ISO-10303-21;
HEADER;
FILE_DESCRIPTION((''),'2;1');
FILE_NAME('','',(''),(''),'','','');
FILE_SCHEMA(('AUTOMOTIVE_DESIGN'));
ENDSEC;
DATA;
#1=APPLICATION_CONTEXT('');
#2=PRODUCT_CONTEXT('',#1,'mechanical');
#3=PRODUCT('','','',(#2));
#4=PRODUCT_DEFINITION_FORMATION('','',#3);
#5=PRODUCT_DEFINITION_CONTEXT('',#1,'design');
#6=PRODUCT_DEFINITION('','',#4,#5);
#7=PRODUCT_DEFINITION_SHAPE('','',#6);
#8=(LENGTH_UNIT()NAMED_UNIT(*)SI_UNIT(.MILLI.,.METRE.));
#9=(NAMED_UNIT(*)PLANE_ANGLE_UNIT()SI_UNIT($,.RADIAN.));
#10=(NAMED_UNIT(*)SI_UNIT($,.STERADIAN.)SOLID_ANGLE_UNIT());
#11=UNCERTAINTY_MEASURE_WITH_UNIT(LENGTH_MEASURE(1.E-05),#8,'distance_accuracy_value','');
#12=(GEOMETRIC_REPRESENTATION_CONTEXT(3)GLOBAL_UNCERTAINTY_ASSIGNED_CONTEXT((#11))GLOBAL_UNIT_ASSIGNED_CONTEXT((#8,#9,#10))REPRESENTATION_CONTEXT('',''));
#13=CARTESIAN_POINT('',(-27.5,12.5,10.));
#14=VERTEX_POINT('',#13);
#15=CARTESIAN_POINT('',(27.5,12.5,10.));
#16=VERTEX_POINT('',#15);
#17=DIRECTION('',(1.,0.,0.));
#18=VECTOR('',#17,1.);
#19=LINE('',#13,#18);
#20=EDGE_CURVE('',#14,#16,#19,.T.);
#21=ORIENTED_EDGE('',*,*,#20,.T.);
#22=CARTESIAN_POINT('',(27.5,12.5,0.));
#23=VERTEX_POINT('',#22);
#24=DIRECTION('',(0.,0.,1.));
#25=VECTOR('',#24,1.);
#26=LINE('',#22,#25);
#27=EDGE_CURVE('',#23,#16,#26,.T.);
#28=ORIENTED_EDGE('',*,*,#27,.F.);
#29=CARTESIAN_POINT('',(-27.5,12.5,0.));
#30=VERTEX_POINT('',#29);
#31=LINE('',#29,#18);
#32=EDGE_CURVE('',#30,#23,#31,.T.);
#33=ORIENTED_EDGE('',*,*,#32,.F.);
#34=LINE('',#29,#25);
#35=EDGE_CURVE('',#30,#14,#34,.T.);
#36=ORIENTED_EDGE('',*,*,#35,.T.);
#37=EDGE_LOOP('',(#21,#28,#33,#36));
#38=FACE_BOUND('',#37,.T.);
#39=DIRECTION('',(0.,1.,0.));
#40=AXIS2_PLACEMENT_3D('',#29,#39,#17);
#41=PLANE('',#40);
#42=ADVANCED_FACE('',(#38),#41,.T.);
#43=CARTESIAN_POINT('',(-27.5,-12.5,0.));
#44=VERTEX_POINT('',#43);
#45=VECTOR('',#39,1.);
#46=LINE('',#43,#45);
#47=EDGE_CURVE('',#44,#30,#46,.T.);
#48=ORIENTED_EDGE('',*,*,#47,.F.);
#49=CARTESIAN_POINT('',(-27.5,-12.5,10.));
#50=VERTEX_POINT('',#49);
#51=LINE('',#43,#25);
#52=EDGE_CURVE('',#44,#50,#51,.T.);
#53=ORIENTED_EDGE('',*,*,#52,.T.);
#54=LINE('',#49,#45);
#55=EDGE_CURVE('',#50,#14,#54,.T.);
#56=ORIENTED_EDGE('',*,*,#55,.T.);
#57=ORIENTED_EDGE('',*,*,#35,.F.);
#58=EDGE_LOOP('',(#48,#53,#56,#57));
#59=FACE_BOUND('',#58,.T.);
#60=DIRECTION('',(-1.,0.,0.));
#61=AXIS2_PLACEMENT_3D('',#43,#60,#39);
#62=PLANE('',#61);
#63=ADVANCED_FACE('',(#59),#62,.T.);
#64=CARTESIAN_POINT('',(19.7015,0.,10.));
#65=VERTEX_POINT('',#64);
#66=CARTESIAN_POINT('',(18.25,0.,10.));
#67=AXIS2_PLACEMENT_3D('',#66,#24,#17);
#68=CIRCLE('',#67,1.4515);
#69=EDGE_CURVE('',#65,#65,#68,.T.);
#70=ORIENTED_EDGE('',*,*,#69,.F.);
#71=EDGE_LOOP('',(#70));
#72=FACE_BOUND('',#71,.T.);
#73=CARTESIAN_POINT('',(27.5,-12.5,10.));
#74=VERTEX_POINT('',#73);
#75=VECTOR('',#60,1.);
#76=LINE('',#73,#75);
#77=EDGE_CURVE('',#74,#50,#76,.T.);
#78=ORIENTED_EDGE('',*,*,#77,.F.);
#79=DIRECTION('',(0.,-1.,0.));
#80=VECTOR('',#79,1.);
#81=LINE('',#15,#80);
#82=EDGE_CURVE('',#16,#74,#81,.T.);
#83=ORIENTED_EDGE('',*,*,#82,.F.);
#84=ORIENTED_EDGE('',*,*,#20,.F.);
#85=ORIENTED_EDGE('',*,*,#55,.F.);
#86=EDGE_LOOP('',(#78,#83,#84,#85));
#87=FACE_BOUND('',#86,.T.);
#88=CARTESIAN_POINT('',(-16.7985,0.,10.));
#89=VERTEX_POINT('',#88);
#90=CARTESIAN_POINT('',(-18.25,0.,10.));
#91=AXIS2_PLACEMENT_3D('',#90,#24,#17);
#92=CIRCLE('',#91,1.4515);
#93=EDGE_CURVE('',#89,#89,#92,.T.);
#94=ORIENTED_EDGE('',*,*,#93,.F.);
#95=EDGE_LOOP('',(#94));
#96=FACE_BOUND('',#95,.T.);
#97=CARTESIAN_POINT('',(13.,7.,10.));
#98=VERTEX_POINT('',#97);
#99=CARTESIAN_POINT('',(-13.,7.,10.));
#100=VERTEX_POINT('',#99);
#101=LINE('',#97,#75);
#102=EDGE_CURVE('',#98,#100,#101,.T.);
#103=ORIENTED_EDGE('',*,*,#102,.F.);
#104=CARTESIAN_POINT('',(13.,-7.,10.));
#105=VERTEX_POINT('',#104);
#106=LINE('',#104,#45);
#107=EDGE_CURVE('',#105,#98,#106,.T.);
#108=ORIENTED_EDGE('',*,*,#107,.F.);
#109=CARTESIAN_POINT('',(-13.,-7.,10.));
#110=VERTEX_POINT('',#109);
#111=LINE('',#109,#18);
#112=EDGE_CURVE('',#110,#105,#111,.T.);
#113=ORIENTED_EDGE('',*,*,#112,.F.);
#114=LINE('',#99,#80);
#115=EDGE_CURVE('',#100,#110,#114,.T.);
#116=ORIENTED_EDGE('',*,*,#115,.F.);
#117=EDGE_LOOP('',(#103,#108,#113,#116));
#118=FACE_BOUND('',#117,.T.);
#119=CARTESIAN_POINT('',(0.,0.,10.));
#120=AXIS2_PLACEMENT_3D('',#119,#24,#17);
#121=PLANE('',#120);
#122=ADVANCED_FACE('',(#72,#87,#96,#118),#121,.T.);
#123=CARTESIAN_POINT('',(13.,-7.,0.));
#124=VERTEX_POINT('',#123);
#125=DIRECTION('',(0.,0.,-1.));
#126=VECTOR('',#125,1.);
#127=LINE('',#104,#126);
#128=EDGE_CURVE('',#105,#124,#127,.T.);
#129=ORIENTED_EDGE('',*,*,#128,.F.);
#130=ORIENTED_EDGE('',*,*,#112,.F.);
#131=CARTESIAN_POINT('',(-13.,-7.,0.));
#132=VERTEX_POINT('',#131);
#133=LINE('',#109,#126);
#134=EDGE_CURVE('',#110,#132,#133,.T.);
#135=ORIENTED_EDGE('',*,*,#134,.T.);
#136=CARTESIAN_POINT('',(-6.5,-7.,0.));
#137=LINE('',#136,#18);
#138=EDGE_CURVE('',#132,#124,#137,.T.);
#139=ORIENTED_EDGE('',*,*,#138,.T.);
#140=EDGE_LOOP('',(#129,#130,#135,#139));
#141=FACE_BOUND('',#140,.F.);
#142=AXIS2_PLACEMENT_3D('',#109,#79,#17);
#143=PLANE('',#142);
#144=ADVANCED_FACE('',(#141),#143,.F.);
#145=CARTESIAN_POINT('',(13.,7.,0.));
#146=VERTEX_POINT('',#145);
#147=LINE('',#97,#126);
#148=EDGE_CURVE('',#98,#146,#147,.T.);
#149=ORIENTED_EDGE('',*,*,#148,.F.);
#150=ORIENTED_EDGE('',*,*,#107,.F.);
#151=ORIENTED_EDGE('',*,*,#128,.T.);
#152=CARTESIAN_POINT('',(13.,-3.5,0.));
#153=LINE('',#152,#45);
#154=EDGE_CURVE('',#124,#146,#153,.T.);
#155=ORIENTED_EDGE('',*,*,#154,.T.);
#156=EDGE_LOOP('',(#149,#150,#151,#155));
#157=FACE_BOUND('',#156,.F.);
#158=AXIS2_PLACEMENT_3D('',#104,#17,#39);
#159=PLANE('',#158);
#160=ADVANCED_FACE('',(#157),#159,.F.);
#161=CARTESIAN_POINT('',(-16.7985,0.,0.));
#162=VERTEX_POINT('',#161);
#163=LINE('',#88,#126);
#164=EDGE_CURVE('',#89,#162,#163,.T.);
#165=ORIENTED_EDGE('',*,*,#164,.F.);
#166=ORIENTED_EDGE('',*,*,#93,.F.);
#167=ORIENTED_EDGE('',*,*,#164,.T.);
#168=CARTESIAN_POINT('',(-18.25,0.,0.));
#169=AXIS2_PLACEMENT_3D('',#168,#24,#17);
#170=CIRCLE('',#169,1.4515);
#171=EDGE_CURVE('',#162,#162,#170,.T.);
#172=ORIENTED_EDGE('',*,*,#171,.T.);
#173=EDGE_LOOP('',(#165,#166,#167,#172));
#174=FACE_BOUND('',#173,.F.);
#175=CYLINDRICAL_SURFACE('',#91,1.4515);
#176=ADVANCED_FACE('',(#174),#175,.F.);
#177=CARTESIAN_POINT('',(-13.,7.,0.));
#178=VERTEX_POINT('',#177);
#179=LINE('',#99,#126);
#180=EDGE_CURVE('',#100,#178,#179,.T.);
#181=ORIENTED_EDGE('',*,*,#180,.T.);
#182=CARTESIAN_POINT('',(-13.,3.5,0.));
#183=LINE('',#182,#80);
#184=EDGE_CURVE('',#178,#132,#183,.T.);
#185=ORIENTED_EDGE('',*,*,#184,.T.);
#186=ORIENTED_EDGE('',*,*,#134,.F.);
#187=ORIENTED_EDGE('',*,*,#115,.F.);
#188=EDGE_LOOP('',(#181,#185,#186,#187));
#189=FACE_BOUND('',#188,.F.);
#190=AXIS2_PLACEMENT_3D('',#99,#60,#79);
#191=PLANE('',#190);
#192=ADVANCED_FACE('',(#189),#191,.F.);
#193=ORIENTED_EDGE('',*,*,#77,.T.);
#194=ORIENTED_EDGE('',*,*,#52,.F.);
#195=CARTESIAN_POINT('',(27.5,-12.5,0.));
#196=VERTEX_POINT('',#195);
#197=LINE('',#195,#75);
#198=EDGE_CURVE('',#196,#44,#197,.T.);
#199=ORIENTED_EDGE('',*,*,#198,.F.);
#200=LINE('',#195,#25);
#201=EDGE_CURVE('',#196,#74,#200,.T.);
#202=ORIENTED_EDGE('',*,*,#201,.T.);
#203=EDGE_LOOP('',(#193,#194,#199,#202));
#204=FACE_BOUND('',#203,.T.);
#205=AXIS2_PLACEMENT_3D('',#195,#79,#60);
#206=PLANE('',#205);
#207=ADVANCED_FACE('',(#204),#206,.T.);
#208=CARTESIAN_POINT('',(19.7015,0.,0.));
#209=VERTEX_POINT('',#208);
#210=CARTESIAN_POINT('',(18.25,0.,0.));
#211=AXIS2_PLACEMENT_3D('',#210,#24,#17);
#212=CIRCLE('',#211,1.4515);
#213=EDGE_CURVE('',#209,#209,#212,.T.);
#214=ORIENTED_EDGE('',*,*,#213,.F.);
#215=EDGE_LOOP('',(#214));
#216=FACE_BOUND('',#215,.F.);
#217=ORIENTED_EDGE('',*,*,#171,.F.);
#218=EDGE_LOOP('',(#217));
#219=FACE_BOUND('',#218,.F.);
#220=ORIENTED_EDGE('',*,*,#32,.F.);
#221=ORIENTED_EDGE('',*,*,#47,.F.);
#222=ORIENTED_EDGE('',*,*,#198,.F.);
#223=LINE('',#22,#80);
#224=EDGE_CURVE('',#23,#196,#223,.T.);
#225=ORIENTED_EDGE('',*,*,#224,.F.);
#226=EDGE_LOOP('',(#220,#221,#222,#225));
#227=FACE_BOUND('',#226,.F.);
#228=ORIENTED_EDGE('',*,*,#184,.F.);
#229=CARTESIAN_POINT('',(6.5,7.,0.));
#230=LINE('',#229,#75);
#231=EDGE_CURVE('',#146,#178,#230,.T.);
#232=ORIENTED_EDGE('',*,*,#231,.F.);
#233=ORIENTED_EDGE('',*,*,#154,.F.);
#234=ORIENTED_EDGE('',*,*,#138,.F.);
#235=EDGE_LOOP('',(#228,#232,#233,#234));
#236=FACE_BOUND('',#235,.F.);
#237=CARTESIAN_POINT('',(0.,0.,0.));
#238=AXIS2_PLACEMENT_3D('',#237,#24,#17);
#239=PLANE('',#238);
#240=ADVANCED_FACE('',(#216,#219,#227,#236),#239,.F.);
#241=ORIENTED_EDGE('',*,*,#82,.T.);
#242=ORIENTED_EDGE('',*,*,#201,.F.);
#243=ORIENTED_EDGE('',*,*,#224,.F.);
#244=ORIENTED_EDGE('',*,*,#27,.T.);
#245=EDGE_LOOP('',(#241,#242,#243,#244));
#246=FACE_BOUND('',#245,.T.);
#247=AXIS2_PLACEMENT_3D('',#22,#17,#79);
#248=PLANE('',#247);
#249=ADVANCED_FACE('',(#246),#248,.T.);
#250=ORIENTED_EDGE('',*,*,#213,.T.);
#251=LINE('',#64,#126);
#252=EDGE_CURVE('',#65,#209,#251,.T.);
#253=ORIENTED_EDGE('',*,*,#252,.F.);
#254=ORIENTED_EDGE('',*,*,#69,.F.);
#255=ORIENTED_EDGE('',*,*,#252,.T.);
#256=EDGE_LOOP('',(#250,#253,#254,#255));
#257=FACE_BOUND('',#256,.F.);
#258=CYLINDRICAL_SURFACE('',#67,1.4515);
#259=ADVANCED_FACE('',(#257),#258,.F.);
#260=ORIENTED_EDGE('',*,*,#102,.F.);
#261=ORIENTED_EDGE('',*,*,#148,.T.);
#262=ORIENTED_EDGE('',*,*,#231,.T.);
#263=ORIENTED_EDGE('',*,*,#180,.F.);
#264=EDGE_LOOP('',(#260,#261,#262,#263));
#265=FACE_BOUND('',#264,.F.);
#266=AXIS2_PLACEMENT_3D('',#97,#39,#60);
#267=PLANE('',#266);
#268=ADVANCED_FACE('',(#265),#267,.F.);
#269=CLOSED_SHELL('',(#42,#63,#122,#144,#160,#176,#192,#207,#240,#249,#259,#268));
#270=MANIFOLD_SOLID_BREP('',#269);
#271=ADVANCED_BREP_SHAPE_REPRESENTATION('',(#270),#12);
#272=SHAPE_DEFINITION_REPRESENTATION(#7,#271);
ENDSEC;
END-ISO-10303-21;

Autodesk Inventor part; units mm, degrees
ref_plane "YZ Plane" through (0, 0, 0) normal (1, 0, 0) x (0, 1, 0)
ref_plane "XZ Plane" through (0, 0, 0) normal (0, 1, 0) x (-1, 0, 0)
ref_plane "XY Plane" through (0, 0, 0) normal (0, 0, 1) x (1, 0, 0)
sketch "Sketch1" plane through (0, 0, 0) normal (0, 0, 1) x (1, 0, 0)
  line L0 (-27.5, 12.5) -> (27.5, 12.5)
  line L1 (27.5, 12.5) -> (27.5, -12.5)
  line L2 (27.5, -12.5) -> (-27.5, -12.5)
  line L3 (-27.5, -12.5) -> (-27.5, 12.5)
  line L4 (-27.5, 12.5) -> (27.5, -12.5) construction
  line L5 (27.5, 12.5) -> (-27.5, -12.5) construction
  point P0 (0, 0)
  dimension "d0" = 55
  dimension "d1" = 25
extrude "Extrusion1" add sketch "Sketch1" along normal blind 10
sketch "Sketch2" plane through (0, 0, 10) normal (0, 0, 1) x (1, 0, 0)
  line L0 (-13, -7) -> (13, -7)
  line L1 (13, -7) -> (13, 7)
  line L2 (13, 7) -> (-13, 7)
  line L3 (-13, 7) -> (-13, -7)
  line L4 (-13, -7) -> (13, 7) construction
  line L5 (13, -7) -> (-13, 7) construction
  point P0 (0, 0)
  dimension "d4" = 26
  dimension "d5" = 14
extrude "Extrusion2" cut sketch "Sketch2" against normal through all
sketch "Sketch3" plane through (0, 0, 10) normal (0, 0, 1) x (1, 0, 0)
  point P0 (0, 0)
sketch "Sketch4" plane through (0, 0, 10) normal (0, 0, 1) x (1, 0, 0)
  circle A0 centre (-18.25, 0) radius 1.4515
  circle A1 centre (18.25, 0) radius 1.4515
  line L0 (-13, -7) -> (-13, 7) projected
  line L1 (13, 7) -> (13, -7) projected
  point P0 (0, 0)
  dimension "d8" = 2.903
  dimension "d9" = 2.903
  dimension "d10" = 5.25
  dimension "d11" = 5.25
extrude "Extrusion3" cut sketch "Sketch4" against normal through all
properties part number "2nd arm closing"
